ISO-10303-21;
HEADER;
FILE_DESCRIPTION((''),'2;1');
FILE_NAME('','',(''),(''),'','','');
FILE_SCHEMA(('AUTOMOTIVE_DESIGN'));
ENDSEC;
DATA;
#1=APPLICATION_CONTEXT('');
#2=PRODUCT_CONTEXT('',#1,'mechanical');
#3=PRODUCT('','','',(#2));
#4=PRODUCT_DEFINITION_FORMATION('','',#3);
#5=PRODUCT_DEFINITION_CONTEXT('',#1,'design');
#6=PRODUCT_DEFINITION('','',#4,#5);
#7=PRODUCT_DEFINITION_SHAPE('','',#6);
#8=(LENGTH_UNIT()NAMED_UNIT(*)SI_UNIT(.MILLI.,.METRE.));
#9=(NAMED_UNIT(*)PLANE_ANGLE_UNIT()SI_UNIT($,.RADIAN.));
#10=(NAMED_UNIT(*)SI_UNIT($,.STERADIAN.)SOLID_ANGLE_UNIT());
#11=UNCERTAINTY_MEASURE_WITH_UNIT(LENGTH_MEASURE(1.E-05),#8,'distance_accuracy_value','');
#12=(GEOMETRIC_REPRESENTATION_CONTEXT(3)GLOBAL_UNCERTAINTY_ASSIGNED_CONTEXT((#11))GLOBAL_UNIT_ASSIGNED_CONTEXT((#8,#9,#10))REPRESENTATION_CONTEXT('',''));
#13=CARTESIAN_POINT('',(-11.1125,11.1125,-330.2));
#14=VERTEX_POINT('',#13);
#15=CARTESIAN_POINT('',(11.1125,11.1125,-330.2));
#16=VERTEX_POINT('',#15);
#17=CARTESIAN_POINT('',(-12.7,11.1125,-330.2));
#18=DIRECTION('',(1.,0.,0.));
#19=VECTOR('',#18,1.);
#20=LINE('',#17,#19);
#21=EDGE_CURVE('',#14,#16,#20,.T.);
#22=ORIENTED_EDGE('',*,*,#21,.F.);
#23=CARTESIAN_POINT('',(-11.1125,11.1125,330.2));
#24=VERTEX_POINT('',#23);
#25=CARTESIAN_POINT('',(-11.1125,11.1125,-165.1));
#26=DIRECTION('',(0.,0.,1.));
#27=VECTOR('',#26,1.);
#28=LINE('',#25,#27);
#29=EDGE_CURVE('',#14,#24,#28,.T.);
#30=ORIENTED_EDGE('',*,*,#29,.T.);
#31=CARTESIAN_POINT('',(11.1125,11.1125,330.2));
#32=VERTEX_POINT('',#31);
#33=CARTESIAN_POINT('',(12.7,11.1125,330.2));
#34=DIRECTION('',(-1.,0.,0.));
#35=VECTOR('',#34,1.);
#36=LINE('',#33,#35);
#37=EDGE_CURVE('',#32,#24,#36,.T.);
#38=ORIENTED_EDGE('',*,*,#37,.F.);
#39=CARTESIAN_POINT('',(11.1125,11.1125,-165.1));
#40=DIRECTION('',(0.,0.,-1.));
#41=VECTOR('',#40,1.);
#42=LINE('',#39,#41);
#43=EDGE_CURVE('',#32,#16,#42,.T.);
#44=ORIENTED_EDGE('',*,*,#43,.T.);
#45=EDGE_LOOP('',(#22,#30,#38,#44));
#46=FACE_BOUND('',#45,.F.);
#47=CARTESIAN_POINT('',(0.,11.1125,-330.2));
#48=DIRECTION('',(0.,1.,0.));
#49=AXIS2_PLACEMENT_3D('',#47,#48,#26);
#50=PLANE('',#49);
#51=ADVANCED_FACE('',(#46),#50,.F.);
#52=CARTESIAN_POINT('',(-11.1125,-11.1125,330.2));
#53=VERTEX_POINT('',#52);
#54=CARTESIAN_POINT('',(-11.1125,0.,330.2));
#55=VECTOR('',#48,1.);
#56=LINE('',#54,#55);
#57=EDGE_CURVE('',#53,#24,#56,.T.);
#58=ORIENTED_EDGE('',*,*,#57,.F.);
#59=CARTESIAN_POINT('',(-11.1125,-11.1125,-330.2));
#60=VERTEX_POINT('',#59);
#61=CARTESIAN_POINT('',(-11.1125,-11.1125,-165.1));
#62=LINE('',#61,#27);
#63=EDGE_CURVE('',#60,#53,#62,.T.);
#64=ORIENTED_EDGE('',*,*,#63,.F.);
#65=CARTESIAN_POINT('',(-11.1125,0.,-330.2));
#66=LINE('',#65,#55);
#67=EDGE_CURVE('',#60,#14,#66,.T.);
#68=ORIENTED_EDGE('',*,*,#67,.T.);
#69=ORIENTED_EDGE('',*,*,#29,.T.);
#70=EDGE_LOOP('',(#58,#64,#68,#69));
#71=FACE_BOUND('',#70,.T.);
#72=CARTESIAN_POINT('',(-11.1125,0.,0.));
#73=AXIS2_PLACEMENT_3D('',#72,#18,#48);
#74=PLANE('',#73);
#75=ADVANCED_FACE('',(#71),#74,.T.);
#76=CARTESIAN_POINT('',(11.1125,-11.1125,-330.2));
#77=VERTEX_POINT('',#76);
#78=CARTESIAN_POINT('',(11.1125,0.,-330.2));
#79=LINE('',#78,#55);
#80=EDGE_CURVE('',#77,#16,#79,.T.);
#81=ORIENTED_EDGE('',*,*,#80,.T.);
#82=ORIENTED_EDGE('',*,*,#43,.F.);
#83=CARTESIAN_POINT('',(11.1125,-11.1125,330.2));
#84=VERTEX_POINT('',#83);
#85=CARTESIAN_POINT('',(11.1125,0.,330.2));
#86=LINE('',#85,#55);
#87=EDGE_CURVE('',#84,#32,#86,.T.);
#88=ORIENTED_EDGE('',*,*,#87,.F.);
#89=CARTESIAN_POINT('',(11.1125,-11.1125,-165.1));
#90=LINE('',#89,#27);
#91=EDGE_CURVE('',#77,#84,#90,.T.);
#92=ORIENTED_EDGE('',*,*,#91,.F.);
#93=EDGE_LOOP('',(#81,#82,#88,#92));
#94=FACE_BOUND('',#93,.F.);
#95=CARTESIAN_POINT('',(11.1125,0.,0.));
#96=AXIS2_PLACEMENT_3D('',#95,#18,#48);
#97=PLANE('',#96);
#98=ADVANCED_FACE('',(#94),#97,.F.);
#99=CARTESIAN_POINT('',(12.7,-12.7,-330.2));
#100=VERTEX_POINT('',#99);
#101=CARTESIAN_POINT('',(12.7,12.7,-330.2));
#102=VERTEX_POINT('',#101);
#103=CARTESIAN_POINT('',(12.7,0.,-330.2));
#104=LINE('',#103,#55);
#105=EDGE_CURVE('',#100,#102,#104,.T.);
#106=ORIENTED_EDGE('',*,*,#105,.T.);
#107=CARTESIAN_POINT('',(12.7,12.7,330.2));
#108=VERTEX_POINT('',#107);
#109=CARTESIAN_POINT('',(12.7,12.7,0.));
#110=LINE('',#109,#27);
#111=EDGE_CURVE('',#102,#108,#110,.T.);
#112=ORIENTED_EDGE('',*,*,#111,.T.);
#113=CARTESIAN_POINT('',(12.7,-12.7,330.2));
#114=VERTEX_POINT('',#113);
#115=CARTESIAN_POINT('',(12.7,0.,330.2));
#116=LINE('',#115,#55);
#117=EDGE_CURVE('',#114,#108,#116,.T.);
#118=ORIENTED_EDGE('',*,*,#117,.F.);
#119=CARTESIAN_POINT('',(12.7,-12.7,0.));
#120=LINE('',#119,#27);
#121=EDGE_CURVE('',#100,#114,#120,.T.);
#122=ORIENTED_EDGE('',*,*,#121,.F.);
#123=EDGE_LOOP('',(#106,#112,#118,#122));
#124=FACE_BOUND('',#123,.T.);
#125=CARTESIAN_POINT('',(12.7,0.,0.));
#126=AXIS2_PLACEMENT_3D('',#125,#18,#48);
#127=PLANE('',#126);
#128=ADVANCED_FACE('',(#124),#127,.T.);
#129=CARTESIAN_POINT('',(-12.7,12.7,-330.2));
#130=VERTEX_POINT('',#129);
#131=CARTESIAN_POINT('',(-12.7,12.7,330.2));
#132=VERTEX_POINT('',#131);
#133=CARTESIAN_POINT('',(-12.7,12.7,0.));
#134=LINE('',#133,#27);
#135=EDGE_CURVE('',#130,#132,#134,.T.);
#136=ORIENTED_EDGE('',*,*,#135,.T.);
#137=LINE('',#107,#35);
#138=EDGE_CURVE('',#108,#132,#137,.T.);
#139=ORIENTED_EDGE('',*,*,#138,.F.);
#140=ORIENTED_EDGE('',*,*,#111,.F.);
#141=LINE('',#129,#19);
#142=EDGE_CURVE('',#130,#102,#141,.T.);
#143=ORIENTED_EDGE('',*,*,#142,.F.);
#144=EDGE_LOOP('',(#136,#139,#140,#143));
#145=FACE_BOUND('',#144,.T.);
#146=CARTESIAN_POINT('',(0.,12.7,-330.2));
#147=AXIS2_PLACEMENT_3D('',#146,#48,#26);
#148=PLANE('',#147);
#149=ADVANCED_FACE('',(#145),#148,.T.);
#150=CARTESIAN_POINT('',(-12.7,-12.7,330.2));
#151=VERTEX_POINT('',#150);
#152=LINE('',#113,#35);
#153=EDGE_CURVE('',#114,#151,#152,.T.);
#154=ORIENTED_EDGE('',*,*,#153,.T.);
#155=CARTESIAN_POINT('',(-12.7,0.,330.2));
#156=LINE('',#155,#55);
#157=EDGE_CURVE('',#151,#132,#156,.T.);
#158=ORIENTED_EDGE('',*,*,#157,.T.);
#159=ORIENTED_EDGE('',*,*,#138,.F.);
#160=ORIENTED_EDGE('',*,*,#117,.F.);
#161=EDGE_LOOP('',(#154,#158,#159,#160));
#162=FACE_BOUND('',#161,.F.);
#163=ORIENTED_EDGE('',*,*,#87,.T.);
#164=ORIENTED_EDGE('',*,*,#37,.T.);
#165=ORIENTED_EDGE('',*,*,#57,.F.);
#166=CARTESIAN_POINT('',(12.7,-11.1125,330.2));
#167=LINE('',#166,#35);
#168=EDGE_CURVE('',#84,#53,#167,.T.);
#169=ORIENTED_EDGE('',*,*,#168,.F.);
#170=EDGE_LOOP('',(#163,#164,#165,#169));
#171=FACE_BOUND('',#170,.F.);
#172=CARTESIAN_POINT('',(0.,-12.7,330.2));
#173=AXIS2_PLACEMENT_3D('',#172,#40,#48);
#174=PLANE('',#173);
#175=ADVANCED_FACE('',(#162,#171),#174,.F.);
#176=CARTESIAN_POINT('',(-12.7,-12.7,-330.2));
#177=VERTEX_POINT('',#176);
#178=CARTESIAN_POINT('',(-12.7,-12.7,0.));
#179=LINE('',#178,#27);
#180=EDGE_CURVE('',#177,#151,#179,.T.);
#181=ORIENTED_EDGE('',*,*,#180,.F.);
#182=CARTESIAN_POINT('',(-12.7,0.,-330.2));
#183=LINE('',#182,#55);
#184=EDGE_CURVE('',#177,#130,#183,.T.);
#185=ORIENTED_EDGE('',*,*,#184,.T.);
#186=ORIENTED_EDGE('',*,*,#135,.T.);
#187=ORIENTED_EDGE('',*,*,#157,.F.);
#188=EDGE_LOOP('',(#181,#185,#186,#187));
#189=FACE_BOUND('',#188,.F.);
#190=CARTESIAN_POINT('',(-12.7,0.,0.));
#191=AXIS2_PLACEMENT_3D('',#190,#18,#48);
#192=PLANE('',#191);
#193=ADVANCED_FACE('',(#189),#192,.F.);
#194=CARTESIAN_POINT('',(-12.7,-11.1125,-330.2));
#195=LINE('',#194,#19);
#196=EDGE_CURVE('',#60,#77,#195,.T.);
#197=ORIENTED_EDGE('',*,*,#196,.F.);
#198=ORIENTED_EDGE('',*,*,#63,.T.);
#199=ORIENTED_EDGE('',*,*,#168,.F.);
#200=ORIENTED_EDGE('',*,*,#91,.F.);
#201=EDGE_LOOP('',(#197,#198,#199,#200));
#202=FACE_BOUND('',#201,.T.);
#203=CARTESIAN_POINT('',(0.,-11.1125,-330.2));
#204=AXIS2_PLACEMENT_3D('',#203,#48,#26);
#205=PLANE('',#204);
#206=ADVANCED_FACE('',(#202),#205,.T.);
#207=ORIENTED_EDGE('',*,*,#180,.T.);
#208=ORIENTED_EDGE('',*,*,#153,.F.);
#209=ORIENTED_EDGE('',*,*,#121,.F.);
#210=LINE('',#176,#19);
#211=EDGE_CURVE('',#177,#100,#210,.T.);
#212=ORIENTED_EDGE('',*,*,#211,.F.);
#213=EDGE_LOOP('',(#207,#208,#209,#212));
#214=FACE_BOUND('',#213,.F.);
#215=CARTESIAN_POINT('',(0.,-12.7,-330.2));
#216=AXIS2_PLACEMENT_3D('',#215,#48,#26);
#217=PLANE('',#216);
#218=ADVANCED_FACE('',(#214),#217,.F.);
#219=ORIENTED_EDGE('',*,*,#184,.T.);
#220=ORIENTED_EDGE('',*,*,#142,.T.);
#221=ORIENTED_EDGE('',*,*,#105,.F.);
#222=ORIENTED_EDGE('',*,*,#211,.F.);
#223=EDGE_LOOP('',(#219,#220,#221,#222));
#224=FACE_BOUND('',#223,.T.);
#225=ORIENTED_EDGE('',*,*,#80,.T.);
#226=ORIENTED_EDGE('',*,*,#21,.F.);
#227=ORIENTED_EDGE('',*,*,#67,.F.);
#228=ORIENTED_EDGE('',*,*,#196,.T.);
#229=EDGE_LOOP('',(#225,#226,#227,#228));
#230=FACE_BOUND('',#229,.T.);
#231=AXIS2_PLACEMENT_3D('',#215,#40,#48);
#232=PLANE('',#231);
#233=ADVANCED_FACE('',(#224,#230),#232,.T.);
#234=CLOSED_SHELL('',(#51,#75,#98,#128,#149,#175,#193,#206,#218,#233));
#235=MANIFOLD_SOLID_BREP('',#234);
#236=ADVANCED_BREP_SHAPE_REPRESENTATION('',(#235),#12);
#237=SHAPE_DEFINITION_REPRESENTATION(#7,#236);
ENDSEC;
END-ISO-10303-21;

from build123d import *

# Parameters (mm, degrees)
F0_W     = 25.4
F0_H     = 660.4
F1_DEPTH = 12.7
F2_T     = -1.5875


with BuildPart() as f1:
    # F0 (on Right) → F1 (new body, symmetric)
    with BuildSketch(Plane.YZ):
        Rectangle(F0_W, F0_H)
    extrude(amount=F1_DEPTH, both=True)

    # F2
    f2_openings = [f1.faces().sort_by_distance(p)[0] for p in [
        (0, 0, 330.2),
        (0, 0, -330.2),
    ]]
    offset(amount=F2_T, openings=f2_openings)


solid = f1.part
